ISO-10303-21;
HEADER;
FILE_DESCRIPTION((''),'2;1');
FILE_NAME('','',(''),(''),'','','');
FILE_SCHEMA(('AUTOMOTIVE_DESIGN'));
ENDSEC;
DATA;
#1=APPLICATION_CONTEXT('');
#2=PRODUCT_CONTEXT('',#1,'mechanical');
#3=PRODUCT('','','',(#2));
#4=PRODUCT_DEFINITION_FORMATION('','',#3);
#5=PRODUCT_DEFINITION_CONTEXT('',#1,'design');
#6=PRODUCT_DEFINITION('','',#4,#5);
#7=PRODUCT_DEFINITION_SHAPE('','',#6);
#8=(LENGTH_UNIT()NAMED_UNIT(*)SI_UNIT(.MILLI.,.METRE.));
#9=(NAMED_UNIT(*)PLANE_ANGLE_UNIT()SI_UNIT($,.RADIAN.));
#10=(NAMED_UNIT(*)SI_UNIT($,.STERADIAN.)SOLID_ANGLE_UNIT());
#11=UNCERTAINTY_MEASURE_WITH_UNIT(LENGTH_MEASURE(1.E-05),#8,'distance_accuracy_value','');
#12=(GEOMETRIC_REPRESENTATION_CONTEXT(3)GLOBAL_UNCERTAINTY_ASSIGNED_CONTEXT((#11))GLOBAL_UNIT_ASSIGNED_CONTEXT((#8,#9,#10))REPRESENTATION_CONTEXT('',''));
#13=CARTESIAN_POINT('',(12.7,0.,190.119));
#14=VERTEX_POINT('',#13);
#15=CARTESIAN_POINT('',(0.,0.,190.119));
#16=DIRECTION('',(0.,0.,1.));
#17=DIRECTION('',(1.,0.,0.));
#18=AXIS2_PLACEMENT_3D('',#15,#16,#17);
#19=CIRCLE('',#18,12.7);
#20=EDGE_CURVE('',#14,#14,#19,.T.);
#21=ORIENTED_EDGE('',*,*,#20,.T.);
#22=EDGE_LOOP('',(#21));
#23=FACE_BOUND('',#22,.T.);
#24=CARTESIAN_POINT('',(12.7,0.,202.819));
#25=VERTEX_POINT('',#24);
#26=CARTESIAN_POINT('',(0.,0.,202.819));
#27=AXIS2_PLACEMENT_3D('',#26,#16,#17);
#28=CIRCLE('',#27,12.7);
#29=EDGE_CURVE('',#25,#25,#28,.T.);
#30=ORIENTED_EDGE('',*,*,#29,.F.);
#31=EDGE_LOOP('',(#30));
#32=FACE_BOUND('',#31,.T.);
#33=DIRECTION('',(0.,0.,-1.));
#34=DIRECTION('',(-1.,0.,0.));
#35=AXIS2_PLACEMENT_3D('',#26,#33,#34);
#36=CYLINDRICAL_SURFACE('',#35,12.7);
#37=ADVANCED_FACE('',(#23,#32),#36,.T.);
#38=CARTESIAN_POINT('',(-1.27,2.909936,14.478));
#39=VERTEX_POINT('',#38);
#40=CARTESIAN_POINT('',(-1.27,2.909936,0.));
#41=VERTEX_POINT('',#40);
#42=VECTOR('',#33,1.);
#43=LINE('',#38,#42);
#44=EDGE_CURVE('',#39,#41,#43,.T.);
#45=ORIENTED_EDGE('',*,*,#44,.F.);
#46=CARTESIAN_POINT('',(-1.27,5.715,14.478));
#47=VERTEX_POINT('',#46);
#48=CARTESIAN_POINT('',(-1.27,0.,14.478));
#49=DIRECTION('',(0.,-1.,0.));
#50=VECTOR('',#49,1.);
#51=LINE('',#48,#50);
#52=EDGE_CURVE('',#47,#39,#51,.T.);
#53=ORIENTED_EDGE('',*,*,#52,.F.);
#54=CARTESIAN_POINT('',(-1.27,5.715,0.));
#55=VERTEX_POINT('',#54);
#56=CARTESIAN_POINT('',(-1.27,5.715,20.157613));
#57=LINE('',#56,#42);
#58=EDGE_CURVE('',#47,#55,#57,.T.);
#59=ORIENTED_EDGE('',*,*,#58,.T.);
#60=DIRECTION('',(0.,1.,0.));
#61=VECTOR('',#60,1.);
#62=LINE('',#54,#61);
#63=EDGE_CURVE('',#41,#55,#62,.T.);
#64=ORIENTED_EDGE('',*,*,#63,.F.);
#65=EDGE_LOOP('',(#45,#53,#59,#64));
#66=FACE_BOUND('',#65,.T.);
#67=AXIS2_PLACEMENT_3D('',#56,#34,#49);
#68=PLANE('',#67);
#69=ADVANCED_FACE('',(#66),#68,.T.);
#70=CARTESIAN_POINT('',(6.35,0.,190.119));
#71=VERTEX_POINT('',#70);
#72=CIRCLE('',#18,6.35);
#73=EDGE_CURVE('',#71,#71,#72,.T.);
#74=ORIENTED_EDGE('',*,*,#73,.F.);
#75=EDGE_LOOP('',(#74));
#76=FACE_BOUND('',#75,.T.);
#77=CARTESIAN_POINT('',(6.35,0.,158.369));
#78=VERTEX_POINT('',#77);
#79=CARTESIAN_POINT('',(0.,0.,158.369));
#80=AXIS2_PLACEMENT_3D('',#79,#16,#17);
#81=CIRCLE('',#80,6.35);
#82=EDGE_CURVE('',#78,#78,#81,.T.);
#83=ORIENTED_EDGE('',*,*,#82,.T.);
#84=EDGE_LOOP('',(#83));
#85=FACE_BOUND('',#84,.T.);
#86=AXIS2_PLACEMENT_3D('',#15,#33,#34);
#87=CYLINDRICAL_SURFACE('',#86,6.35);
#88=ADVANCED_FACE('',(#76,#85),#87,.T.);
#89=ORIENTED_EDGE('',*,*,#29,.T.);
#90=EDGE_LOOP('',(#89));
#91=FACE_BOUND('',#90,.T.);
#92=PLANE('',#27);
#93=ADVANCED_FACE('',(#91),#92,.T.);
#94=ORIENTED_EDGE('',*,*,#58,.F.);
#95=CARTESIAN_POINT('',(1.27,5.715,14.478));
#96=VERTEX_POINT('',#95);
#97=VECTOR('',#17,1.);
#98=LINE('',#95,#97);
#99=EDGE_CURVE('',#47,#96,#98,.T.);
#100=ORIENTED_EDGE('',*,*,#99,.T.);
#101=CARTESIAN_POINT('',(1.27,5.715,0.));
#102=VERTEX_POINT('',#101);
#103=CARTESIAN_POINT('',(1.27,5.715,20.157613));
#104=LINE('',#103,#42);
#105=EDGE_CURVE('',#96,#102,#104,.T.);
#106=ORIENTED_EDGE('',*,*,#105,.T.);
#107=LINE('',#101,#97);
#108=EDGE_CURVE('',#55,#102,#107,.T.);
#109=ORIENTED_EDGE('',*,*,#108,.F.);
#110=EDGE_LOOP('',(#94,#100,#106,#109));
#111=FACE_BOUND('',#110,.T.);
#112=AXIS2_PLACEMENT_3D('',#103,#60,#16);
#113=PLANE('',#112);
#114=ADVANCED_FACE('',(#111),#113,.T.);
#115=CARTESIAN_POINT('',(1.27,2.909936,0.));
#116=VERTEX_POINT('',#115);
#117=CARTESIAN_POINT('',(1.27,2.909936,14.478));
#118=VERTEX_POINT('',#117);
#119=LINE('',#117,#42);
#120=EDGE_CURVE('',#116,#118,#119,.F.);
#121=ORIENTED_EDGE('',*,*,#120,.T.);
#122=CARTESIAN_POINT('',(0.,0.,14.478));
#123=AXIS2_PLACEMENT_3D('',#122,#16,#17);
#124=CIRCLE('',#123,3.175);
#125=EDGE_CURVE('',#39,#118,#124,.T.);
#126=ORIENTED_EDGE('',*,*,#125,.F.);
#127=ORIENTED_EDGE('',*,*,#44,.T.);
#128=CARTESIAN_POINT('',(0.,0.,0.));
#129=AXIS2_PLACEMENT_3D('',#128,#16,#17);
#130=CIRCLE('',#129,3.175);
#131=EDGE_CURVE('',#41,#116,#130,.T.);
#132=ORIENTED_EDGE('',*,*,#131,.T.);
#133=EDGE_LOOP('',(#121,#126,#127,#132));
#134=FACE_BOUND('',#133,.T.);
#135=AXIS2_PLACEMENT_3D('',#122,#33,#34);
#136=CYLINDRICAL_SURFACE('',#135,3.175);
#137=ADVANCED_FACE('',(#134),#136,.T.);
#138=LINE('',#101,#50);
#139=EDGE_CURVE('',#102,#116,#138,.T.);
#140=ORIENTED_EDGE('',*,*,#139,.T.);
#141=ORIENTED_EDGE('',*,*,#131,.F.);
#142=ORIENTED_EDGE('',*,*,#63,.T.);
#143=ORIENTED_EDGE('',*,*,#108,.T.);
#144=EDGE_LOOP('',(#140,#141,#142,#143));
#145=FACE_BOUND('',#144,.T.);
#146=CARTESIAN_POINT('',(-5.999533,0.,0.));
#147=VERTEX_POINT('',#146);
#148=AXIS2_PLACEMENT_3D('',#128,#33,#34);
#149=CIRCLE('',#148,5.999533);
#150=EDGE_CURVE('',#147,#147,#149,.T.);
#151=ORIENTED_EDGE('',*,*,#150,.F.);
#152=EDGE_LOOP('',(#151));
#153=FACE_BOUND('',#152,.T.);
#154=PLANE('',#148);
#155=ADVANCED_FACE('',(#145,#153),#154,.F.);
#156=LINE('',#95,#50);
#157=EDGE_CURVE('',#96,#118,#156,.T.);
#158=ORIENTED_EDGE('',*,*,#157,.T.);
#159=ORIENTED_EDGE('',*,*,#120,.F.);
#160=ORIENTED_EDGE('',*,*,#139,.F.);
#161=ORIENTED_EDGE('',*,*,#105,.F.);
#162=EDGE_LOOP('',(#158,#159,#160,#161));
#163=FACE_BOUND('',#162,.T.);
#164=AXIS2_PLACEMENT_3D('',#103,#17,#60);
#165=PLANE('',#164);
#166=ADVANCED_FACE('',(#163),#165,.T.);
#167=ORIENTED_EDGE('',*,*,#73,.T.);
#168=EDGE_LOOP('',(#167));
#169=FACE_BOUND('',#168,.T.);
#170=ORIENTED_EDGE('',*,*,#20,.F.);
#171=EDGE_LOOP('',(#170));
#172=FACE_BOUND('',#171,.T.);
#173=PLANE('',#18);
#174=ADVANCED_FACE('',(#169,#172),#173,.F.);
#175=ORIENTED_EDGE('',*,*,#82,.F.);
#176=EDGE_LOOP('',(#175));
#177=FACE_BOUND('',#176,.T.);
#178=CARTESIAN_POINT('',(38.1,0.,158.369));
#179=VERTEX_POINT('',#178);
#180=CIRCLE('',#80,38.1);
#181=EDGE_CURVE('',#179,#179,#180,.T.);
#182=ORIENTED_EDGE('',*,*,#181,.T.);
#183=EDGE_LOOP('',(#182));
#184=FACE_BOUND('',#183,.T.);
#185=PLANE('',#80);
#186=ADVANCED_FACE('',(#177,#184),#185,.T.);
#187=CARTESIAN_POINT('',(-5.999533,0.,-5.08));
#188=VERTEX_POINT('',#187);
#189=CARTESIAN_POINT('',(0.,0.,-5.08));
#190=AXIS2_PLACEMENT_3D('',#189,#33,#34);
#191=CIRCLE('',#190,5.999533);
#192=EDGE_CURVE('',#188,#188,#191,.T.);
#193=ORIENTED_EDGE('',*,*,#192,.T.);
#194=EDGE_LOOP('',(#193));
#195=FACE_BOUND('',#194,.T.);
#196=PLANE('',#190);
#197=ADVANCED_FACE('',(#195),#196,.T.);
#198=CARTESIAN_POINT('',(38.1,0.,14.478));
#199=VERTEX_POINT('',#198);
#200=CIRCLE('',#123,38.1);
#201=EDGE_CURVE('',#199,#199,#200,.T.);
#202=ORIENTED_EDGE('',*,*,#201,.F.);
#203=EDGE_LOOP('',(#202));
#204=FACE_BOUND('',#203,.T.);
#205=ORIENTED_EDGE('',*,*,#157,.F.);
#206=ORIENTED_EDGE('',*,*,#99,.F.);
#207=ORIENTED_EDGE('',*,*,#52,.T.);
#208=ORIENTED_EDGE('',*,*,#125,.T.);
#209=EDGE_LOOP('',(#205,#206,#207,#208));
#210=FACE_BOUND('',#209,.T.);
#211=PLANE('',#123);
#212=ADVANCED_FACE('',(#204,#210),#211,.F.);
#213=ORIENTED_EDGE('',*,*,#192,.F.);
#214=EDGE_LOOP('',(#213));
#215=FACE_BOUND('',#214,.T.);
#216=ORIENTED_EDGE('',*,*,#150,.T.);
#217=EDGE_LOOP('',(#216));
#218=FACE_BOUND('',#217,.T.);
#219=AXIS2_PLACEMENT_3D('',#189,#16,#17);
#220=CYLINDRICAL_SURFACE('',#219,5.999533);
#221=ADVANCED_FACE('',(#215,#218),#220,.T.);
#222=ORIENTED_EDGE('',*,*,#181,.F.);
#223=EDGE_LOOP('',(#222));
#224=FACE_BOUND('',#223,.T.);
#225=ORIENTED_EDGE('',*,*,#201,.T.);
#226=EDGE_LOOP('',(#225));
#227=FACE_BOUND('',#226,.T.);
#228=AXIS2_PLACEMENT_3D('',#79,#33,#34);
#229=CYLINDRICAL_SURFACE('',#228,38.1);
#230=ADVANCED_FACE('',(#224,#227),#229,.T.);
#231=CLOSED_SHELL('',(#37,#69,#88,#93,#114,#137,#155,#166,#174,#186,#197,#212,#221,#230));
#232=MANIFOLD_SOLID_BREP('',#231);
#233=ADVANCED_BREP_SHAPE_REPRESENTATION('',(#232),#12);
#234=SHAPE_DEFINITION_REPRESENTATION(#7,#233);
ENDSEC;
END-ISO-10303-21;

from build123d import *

# Parameters (mm, degrees)
SKETCH1_R           = 3.175
BOSS_EXTRUDE1_DEPTH = 14.478
SKETCH2_R           = 38.1
BOSS_EXTRUDE2_DEPTH = 143.891
SKETCH3_W           = 2.54
SKETCH3_H           = 5.08
BOSS_EXTRUDE3_DEPTH = 14.478
SKETCH4_R           = 5.999533244
BOSS_EXTRUDE4_DEPTH = 5.08
SKETCH5_R           = 6.35
BOSS_EXTRUDE5_DEPTH = 31.75
SKETCH6_R           = 12.7
BOSS_EXTRUDE6_DEPTH = 12.7


with BuildPart() as part:
    # Sketch1 → Boss-Extrude1 (new body)
    with BuildSketch(Plane.XY):
        Circle(SKETCH1_R)
    extrude(amount=BOSS_EXTRUDE1_DEPTH)

    # Sketch2 → Boss-Extrude2 (add)
    with BuildSketch(Plane.XY.offset(14.478)):
        Circle(SKETCH2_R)
    extrude(amount=BOSS_EXTRUDE2_DEPTH)

    # Sketch3 → Boss-Extrude3 (add)
    with BuildSketch(Plane(origin=(0, 0, 0), x_dir=(-1, 0, 0), z_dir=(0, 0, -1))):
        with Locations((0, 3.175)):
            Rectangle(SKETCH3_W, SKETCH3_H)
    extrude(amount=-BOSS_EXTRUDE3_DEPTH)

    # Sketch4 → Boss-Extrude4 (add)
    with BuildSketch(Plane(origin=(0, 0, 0), x_dir=(-1, 0, 0), z_dir=(0, 0, -1))):
        Circle(SKETCH4_R)
    extrude(amount=BOSS_EXTRUDE4_DEPTH)

    # Sketch5 → Boss-Extrude5 (add)
    with BuildSketch(Plane.XY.offset(158.369)):
        Circle(SKETCH5_R)
    extrude(amount=BOSS_EXTRUDE5_DEPTH)

    # Sketch6 → Boss-Extrude6 (add)
    with BuildSketch(Plane.XY.offset(190.119)):
        Circle(SKETCH6_R)
    extrude(amount=BOSS_EXTRUDE6_DEPTH)


solid = part.part
